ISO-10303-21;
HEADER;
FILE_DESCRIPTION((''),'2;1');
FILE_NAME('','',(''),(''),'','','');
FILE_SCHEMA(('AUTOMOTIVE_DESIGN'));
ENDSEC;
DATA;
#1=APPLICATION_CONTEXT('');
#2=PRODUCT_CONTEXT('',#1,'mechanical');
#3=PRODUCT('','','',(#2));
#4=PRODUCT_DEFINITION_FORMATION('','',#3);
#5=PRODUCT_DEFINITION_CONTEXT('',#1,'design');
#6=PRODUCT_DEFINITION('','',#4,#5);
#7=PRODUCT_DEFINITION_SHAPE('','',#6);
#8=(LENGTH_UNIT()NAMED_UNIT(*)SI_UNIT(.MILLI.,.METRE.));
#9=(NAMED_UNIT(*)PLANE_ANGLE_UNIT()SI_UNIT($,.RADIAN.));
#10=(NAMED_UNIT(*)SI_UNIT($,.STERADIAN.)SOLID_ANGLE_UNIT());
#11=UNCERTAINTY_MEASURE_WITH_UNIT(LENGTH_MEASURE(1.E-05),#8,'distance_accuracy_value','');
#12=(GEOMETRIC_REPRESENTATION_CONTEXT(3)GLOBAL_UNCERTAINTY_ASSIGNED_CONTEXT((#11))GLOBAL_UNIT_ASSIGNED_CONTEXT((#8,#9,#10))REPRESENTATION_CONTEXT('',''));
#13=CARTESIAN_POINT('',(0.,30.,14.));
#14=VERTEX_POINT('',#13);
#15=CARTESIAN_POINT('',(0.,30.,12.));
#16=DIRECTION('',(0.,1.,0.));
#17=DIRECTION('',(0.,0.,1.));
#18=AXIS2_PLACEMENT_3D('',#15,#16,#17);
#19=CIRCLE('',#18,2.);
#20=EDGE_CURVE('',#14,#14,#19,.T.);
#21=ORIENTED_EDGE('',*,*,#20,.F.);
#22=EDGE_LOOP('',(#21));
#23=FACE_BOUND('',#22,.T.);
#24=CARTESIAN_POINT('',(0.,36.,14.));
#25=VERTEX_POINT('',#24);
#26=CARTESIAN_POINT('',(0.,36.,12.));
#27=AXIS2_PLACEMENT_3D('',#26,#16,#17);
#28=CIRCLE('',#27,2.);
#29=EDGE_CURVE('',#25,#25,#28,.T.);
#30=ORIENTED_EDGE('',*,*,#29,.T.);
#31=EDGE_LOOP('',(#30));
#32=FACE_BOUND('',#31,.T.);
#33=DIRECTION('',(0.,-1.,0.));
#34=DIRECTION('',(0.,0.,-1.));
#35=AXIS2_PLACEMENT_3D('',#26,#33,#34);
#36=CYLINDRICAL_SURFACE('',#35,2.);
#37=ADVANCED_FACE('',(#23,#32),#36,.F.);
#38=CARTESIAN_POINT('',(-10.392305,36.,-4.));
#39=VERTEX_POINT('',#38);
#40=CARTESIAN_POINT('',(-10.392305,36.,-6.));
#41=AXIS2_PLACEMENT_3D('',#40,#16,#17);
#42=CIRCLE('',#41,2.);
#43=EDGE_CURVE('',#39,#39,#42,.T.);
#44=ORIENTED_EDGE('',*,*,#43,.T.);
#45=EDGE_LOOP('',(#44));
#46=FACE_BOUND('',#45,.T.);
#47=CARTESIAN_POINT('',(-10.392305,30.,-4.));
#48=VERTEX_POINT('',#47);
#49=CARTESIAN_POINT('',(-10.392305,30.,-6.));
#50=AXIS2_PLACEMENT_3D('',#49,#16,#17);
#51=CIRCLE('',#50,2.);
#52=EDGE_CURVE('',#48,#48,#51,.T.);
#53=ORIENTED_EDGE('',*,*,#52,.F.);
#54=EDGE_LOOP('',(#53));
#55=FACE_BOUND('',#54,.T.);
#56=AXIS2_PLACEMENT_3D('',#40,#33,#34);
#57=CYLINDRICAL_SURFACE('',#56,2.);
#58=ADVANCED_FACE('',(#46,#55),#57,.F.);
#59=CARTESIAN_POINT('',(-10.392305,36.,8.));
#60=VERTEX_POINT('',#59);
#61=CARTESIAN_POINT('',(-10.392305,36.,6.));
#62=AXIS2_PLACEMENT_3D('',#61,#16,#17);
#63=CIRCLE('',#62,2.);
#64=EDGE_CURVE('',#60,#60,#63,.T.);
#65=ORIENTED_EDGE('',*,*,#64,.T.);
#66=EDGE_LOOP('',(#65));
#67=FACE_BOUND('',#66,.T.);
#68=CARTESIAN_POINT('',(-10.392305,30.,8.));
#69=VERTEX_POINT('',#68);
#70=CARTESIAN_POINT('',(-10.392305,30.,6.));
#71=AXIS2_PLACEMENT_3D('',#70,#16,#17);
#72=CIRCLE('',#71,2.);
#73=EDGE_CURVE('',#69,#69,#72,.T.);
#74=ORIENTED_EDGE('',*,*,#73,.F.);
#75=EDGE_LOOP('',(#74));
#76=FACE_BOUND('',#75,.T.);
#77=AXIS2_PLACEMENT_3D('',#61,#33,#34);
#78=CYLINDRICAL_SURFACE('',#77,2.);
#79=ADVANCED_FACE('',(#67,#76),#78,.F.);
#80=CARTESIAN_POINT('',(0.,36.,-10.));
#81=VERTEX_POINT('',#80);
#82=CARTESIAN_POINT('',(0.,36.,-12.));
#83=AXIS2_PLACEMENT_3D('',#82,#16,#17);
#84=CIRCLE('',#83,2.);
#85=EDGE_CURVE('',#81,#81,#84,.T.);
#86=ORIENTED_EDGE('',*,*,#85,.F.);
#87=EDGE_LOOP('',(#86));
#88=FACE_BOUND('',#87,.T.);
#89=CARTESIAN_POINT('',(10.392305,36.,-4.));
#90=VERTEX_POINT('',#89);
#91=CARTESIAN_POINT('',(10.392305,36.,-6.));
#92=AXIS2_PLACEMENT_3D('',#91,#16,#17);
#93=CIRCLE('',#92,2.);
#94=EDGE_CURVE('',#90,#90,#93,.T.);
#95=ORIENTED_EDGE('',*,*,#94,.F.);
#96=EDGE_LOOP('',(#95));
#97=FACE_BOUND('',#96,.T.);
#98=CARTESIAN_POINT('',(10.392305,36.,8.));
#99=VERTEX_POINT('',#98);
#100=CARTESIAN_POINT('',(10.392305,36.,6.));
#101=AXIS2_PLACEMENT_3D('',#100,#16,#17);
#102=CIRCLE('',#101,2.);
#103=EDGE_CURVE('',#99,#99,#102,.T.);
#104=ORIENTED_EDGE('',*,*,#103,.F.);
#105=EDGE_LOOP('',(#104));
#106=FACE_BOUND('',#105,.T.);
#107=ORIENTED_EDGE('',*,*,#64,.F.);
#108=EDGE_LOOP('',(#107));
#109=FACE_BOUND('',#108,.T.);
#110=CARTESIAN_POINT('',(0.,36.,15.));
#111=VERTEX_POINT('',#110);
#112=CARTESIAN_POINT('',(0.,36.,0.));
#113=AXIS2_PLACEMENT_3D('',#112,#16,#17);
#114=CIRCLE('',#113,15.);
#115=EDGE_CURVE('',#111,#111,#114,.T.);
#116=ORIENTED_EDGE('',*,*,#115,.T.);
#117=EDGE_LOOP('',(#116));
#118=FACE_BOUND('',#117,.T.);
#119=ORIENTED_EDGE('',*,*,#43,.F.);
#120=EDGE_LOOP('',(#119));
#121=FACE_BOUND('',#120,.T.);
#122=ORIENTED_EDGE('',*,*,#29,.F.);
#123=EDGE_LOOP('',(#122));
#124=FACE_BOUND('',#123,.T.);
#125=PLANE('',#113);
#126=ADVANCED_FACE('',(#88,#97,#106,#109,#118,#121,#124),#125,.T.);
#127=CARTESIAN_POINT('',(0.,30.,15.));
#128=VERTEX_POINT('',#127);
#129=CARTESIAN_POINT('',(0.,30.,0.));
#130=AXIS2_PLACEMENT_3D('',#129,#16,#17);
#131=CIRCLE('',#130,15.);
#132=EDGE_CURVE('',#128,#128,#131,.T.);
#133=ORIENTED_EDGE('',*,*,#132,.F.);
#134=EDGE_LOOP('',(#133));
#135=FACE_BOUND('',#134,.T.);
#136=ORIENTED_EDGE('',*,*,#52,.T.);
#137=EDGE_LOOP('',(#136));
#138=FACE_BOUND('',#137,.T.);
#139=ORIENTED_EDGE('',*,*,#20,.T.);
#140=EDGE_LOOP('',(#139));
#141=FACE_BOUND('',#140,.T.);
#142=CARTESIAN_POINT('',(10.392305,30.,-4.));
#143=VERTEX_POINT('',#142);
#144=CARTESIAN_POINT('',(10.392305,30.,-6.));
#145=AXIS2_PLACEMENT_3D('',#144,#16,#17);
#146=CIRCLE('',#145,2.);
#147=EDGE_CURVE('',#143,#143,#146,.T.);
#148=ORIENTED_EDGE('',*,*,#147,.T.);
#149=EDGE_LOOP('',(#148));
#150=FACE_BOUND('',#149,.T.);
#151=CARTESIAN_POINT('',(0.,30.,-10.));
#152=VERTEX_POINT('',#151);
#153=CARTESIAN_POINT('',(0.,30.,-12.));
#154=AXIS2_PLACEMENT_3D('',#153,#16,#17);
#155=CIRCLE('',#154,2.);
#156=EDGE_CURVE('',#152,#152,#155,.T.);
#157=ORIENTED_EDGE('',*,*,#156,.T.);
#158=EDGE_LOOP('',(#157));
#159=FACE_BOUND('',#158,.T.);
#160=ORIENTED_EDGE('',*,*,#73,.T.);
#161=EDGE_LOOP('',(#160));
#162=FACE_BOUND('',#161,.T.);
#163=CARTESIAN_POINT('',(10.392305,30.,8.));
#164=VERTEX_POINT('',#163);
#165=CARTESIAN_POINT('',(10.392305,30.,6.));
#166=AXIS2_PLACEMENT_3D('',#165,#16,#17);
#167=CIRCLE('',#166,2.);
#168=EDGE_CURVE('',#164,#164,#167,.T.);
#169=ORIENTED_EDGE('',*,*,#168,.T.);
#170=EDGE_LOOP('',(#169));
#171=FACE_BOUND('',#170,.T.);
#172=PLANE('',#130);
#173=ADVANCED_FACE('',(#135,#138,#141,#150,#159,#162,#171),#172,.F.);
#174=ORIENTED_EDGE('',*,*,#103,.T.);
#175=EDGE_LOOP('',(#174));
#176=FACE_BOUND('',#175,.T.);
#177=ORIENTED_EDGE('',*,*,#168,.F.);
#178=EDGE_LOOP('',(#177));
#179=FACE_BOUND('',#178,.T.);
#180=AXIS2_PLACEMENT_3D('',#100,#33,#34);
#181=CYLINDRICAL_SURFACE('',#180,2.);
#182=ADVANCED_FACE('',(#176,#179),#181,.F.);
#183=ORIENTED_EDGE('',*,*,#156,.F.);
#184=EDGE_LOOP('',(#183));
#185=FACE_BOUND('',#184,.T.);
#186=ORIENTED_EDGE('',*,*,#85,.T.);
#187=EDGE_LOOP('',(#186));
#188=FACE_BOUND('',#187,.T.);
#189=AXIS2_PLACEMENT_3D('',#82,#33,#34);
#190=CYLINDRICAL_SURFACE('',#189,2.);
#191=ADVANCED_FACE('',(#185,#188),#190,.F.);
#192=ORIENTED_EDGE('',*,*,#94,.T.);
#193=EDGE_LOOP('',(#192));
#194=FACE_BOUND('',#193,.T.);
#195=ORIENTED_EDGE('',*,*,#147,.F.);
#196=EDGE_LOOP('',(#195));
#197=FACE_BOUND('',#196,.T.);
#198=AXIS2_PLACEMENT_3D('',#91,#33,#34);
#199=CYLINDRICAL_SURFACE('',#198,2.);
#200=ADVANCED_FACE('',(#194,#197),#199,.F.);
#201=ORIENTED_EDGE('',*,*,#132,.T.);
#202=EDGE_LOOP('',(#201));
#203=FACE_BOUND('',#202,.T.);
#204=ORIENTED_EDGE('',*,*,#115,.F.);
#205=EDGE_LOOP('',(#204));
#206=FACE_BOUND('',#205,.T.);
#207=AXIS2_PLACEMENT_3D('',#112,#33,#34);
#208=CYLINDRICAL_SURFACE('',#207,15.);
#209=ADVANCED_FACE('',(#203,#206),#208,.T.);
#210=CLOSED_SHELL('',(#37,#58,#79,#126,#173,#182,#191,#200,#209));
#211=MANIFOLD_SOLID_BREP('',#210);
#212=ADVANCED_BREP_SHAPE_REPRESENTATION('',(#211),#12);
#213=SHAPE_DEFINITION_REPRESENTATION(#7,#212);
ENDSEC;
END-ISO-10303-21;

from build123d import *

# Parameters (mm, degrees)
SKETCH1_R             = 15
BOSS_EXTRUDE1_DEPTH   = 30
SKETCH2_R             = 7
BOSS_EXTRUDE2_DEPTH   = 4
F_4_0MM_DOWEL_HOLE1_D = 4
CIRPATTERN1_COUNT     = 6
SKETCH6_R             = 15
SKETCH6_R_2           = 2
BOSS_EXTRUDE3_DEPTH   = 6


with BuildPart() as part:
    # Sketch1 → Boss-Extrude1 (new body)
    with BuildSketch(Plane(origin=(0, 0, 0), x_dir=(1, 0, 0), z_dir=(0, 1, 0))):
        with Locations(Location((0, 0, 0), (0, 0, 270))):
            Circle(SKETCH1_R)
    extrude(amount=BOSS_EXTRUDE1_DEPTH)

    # Sketch2 → Boss-Extrude2 (add)
    with BuildSketch(Plane.XZ):
        with Locations(Location((0, 0, 0), (0, 0, 270))):
            Circle(SKETCH2_R)
    extrude(amount=BOSS_EXTRUDE2_DEPTH)

    # Ø4.0mm Dowel Hole1 (through all)
    with Locations(Plane(origin=(0, 0, 0), x_dir=(-1, 0, 0), z_dir=(0, -1, 0))):
        with Locations((0, -12)):
            f_4_0mm_dowel_hole1 = Hole(F_4_0MM_DOWEL_HOLE1_D / 2)

    # CirPattern1: Ø4.0mm Dowel Hole1 ×6 about axis
    cirpattern1_axis = Axis((0, 0, 0), (0, 1, 0))
    for i in range(1, CIRPATTERN1_COUNT):
        add(f_4_0mm_dowel_hole1.rotate(cirpattern1_axis, i * 360 / CIRPATTERN1_COUNT), mode=Mode.SUBTRACT)


with BuildPart() as body_2:
    # Sketch6 → Boss-Extrude3 (new body)
    with BuildSketch(Plane(origin=(0, 30, 0), x_dir=(1, 0, 0), z_dir=(0, 1, 0))):
        with Locations(Location((0, 0, 0), (0, 0, 270))):
            Circle(SKETCH6_R)
        with Locations(Location((-10.392304845, 6, 0), (0, 0, 270))):
            Circle(SKETCH6_R_2, mode=Mode.SUBTRACT)
        with Locations(Location((-10.392304845, -6, 0), (0, 0, 270))):
            Circle(SKETCH6_R_2, mode=Mode.SUBTRACT)
        with Locations(Location((0, -12, 0), (0, 0, 270))):
            Circle(SKETCH6_R_2, mode=Mode.SUBTRACT)
        with Locations(Location((10.392304845, -6, 0), (0, 0, 270))):
            Circle(SKETCH6_R_2, mode=Mode.SUBTRACT)
        with Locations(Location((10.392304845, 6, 0), (0, 0, 270))):
            Circle(SKETCH6_R_2, mode=Mode.SUBTRACT)
        with Locations(Location((0, 12, 0), (0, 0, 270))):
            Circle(SKETCH6_R_2, mode=Mode.SUBTRACT)
    extrude(amount=BOSS_EXTRUDE3_DEPTH)


solid = body_2.part
